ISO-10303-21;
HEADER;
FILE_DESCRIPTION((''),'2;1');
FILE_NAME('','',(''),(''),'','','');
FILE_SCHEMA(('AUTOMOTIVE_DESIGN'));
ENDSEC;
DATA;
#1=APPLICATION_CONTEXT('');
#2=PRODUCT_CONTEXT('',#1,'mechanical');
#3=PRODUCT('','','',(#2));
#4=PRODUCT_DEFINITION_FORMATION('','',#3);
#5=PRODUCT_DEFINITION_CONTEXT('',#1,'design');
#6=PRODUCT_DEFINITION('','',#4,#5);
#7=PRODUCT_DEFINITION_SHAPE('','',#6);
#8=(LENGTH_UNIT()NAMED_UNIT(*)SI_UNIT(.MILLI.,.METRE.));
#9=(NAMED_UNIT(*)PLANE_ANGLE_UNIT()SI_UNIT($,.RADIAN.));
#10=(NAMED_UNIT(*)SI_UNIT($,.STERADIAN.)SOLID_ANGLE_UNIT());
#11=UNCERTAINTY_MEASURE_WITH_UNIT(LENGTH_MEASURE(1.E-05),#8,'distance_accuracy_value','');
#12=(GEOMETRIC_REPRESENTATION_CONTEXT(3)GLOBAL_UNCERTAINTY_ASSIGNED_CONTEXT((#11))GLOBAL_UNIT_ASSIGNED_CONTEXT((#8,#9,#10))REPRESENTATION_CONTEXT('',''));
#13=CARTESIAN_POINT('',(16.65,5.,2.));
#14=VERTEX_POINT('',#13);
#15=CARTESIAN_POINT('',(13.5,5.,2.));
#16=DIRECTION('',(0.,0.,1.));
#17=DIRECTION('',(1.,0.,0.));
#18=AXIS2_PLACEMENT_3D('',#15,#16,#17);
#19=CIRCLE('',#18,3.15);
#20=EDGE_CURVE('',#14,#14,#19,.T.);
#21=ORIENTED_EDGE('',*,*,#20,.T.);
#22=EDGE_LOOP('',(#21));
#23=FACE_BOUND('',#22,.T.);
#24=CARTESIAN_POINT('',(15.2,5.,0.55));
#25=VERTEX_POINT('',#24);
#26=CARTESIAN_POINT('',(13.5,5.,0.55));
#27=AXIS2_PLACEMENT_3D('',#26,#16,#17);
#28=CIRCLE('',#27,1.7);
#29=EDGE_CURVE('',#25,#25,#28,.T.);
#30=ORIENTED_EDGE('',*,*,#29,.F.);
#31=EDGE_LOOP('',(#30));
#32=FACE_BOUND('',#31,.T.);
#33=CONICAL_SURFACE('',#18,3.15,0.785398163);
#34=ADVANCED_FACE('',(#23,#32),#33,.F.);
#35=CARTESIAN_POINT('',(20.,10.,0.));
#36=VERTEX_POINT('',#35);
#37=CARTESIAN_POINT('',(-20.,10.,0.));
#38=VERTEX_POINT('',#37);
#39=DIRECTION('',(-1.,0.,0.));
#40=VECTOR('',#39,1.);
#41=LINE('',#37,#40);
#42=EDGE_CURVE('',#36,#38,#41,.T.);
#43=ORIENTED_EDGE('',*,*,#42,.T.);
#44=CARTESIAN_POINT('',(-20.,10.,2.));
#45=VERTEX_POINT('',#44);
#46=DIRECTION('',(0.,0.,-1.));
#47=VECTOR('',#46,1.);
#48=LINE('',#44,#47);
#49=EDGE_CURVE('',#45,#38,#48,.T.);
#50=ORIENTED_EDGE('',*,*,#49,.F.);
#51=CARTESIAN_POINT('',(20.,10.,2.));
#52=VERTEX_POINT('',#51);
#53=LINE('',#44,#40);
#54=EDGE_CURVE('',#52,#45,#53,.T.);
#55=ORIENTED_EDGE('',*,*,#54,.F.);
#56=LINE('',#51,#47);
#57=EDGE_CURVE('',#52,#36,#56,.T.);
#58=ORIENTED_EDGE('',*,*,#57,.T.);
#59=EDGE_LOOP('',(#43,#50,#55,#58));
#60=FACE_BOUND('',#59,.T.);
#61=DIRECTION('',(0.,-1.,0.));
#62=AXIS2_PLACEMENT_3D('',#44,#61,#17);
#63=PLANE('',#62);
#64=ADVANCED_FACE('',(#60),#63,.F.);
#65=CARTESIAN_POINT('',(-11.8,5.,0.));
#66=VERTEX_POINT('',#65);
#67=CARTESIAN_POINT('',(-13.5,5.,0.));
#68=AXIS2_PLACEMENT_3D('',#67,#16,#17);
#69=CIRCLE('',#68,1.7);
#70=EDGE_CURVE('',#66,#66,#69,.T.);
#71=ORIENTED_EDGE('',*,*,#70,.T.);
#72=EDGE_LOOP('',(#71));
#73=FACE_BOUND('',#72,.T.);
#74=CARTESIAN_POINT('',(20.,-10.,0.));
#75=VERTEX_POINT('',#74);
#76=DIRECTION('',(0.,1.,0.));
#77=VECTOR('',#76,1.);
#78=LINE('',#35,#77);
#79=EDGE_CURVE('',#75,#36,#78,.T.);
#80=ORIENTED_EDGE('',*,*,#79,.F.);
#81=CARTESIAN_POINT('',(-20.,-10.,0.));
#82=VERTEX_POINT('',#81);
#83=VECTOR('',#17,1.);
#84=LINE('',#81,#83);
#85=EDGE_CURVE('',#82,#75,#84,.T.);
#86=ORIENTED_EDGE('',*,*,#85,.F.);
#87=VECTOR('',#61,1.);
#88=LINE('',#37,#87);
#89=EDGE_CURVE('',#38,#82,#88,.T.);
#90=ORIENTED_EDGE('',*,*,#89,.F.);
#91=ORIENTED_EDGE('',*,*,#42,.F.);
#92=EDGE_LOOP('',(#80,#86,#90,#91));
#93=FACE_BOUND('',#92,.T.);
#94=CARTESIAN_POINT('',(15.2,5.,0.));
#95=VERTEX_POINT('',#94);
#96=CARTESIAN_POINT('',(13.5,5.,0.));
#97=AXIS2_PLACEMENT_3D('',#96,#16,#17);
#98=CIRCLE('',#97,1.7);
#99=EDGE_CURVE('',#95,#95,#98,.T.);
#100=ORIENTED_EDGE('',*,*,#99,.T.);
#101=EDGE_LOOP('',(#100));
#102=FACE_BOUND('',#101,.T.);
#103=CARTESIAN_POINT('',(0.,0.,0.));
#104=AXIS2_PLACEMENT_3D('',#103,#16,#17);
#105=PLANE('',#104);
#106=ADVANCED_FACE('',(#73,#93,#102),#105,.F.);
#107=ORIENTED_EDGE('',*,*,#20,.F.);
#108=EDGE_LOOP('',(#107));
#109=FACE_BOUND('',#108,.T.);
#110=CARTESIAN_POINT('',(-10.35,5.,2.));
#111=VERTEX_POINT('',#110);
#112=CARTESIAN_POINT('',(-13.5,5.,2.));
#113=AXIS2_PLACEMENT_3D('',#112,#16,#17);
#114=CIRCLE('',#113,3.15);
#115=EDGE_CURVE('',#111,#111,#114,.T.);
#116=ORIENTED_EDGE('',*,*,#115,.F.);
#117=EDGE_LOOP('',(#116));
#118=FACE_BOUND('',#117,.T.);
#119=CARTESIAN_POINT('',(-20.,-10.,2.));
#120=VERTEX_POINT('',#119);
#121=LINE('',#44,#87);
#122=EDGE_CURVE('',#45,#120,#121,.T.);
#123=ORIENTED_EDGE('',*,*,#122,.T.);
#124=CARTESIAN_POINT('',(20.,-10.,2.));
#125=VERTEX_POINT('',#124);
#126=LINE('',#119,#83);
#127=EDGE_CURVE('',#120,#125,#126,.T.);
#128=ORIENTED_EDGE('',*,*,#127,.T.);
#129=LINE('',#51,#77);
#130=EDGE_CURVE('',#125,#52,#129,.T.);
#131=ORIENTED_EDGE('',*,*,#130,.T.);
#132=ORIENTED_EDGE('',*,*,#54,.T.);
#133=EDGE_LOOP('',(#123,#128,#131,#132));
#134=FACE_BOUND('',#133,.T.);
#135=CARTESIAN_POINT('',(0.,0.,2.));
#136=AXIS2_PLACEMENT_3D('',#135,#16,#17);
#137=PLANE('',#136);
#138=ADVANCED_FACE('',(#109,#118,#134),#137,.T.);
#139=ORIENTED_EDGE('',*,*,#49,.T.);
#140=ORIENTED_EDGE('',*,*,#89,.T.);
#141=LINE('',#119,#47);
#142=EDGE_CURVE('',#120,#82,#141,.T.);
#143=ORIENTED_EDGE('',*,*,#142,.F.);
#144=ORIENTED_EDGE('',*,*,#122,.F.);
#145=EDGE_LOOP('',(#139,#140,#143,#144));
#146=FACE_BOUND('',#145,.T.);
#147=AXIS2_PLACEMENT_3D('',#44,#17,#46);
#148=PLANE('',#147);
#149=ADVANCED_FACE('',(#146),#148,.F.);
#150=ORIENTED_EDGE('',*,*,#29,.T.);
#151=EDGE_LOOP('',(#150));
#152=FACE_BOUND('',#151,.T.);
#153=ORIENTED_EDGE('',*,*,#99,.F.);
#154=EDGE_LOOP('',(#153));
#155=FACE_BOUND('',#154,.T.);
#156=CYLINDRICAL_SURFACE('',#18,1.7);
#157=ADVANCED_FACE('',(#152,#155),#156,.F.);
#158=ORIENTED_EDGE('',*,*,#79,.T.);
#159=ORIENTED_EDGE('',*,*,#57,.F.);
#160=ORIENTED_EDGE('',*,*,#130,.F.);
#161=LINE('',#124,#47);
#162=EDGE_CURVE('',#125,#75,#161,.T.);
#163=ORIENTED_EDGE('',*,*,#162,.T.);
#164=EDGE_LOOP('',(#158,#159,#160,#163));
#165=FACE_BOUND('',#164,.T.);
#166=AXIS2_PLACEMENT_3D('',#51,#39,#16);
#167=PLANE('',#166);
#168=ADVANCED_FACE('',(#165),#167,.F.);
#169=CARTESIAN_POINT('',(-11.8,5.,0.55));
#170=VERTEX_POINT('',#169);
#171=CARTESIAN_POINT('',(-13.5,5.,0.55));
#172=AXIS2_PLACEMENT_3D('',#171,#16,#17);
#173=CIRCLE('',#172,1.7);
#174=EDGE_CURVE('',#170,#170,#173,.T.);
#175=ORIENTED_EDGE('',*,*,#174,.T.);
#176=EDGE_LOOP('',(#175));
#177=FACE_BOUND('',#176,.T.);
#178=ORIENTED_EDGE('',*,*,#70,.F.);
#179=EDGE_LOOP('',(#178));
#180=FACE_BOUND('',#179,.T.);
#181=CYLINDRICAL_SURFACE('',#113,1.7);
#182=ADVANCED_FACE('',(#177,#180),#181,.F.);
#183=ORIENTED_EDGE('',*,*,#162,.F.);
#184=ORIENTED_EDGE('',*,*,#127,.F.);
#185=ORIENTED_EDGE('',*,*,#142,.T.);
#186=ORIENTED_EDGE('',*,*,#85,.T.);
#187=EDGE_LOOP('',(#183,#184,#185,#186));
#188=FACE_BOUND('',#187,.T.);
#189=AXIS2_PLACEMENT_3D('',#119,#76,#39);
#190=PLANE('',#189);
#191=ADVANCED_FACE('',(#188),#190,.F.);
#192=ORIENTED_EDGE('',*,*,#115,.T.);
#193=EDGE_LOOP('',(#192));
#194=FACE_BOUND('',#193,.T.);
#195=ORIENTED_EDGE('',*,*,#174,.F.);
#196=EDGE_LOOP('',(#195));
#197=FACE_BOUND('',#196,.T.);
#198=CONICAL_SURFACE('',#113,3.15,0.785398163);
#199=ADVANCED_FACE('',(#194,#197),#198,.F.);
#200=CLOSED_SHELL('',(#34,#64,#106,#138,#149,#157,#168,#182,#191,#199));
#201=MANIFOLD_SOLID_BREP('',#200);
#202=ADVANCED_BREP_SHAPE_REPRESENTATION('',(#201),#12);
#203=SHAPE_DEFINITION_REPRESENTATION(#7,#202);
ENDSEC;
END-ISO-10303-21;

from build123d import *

# Parameters (mm, degrees)
SKETCH_1_W                  = 40
SKETCH_1_H                  = 20
EXTRUDE_1_DEPTH             = 2
HOLE_WIZARD_M3_1_AT_2_COUNT = 2
HOLE_WIZARD_M3_1_AT_2_PITCH = 27


with BuildPart() as part:
    # 草圖1 → 填料-伸長1 (new body)
    with BuildSketch(Plane.XY):
        Rectangle(SKETCH_1_W, SKETCH_1_H)
    extrude(amount=EXTRUDE_1_DEPTH)

    # 草圖2 → M3 平錐坑頭螺釘的錐孔1 (revolve, cut)
    with BuildSketch(Plane(origin=(-13.5, 5, 2), x_dir=(0, -1, 0), z_dir=(1, 0, 0))):
        Polygon((0, 0), (0, 2), (1.7, 2), (1.7, 1.45), (3.15, 0), align=None)
    hole_wizard_m3_1 = revolve(axis=Axis((-13.5, 5, 8.35), (0, 0, -1)), mode=Mode.SUBTRACT)

    # M3 平錐坑頭螺釘的錐孔1 at 2: M3 平錐坑頭螺釘的錐孔1 ×2
    with Locations(*[(i * HOLE_WIZARD_M3_1_AT_2_PITCH, 0, 0) for i in range(1, HOLE_WIZARD_M3_1_AT_2_COUNT)]):
        add(hole_wizard_m3_1, mode=Mode.SUBTRACT)


solid = part.part
